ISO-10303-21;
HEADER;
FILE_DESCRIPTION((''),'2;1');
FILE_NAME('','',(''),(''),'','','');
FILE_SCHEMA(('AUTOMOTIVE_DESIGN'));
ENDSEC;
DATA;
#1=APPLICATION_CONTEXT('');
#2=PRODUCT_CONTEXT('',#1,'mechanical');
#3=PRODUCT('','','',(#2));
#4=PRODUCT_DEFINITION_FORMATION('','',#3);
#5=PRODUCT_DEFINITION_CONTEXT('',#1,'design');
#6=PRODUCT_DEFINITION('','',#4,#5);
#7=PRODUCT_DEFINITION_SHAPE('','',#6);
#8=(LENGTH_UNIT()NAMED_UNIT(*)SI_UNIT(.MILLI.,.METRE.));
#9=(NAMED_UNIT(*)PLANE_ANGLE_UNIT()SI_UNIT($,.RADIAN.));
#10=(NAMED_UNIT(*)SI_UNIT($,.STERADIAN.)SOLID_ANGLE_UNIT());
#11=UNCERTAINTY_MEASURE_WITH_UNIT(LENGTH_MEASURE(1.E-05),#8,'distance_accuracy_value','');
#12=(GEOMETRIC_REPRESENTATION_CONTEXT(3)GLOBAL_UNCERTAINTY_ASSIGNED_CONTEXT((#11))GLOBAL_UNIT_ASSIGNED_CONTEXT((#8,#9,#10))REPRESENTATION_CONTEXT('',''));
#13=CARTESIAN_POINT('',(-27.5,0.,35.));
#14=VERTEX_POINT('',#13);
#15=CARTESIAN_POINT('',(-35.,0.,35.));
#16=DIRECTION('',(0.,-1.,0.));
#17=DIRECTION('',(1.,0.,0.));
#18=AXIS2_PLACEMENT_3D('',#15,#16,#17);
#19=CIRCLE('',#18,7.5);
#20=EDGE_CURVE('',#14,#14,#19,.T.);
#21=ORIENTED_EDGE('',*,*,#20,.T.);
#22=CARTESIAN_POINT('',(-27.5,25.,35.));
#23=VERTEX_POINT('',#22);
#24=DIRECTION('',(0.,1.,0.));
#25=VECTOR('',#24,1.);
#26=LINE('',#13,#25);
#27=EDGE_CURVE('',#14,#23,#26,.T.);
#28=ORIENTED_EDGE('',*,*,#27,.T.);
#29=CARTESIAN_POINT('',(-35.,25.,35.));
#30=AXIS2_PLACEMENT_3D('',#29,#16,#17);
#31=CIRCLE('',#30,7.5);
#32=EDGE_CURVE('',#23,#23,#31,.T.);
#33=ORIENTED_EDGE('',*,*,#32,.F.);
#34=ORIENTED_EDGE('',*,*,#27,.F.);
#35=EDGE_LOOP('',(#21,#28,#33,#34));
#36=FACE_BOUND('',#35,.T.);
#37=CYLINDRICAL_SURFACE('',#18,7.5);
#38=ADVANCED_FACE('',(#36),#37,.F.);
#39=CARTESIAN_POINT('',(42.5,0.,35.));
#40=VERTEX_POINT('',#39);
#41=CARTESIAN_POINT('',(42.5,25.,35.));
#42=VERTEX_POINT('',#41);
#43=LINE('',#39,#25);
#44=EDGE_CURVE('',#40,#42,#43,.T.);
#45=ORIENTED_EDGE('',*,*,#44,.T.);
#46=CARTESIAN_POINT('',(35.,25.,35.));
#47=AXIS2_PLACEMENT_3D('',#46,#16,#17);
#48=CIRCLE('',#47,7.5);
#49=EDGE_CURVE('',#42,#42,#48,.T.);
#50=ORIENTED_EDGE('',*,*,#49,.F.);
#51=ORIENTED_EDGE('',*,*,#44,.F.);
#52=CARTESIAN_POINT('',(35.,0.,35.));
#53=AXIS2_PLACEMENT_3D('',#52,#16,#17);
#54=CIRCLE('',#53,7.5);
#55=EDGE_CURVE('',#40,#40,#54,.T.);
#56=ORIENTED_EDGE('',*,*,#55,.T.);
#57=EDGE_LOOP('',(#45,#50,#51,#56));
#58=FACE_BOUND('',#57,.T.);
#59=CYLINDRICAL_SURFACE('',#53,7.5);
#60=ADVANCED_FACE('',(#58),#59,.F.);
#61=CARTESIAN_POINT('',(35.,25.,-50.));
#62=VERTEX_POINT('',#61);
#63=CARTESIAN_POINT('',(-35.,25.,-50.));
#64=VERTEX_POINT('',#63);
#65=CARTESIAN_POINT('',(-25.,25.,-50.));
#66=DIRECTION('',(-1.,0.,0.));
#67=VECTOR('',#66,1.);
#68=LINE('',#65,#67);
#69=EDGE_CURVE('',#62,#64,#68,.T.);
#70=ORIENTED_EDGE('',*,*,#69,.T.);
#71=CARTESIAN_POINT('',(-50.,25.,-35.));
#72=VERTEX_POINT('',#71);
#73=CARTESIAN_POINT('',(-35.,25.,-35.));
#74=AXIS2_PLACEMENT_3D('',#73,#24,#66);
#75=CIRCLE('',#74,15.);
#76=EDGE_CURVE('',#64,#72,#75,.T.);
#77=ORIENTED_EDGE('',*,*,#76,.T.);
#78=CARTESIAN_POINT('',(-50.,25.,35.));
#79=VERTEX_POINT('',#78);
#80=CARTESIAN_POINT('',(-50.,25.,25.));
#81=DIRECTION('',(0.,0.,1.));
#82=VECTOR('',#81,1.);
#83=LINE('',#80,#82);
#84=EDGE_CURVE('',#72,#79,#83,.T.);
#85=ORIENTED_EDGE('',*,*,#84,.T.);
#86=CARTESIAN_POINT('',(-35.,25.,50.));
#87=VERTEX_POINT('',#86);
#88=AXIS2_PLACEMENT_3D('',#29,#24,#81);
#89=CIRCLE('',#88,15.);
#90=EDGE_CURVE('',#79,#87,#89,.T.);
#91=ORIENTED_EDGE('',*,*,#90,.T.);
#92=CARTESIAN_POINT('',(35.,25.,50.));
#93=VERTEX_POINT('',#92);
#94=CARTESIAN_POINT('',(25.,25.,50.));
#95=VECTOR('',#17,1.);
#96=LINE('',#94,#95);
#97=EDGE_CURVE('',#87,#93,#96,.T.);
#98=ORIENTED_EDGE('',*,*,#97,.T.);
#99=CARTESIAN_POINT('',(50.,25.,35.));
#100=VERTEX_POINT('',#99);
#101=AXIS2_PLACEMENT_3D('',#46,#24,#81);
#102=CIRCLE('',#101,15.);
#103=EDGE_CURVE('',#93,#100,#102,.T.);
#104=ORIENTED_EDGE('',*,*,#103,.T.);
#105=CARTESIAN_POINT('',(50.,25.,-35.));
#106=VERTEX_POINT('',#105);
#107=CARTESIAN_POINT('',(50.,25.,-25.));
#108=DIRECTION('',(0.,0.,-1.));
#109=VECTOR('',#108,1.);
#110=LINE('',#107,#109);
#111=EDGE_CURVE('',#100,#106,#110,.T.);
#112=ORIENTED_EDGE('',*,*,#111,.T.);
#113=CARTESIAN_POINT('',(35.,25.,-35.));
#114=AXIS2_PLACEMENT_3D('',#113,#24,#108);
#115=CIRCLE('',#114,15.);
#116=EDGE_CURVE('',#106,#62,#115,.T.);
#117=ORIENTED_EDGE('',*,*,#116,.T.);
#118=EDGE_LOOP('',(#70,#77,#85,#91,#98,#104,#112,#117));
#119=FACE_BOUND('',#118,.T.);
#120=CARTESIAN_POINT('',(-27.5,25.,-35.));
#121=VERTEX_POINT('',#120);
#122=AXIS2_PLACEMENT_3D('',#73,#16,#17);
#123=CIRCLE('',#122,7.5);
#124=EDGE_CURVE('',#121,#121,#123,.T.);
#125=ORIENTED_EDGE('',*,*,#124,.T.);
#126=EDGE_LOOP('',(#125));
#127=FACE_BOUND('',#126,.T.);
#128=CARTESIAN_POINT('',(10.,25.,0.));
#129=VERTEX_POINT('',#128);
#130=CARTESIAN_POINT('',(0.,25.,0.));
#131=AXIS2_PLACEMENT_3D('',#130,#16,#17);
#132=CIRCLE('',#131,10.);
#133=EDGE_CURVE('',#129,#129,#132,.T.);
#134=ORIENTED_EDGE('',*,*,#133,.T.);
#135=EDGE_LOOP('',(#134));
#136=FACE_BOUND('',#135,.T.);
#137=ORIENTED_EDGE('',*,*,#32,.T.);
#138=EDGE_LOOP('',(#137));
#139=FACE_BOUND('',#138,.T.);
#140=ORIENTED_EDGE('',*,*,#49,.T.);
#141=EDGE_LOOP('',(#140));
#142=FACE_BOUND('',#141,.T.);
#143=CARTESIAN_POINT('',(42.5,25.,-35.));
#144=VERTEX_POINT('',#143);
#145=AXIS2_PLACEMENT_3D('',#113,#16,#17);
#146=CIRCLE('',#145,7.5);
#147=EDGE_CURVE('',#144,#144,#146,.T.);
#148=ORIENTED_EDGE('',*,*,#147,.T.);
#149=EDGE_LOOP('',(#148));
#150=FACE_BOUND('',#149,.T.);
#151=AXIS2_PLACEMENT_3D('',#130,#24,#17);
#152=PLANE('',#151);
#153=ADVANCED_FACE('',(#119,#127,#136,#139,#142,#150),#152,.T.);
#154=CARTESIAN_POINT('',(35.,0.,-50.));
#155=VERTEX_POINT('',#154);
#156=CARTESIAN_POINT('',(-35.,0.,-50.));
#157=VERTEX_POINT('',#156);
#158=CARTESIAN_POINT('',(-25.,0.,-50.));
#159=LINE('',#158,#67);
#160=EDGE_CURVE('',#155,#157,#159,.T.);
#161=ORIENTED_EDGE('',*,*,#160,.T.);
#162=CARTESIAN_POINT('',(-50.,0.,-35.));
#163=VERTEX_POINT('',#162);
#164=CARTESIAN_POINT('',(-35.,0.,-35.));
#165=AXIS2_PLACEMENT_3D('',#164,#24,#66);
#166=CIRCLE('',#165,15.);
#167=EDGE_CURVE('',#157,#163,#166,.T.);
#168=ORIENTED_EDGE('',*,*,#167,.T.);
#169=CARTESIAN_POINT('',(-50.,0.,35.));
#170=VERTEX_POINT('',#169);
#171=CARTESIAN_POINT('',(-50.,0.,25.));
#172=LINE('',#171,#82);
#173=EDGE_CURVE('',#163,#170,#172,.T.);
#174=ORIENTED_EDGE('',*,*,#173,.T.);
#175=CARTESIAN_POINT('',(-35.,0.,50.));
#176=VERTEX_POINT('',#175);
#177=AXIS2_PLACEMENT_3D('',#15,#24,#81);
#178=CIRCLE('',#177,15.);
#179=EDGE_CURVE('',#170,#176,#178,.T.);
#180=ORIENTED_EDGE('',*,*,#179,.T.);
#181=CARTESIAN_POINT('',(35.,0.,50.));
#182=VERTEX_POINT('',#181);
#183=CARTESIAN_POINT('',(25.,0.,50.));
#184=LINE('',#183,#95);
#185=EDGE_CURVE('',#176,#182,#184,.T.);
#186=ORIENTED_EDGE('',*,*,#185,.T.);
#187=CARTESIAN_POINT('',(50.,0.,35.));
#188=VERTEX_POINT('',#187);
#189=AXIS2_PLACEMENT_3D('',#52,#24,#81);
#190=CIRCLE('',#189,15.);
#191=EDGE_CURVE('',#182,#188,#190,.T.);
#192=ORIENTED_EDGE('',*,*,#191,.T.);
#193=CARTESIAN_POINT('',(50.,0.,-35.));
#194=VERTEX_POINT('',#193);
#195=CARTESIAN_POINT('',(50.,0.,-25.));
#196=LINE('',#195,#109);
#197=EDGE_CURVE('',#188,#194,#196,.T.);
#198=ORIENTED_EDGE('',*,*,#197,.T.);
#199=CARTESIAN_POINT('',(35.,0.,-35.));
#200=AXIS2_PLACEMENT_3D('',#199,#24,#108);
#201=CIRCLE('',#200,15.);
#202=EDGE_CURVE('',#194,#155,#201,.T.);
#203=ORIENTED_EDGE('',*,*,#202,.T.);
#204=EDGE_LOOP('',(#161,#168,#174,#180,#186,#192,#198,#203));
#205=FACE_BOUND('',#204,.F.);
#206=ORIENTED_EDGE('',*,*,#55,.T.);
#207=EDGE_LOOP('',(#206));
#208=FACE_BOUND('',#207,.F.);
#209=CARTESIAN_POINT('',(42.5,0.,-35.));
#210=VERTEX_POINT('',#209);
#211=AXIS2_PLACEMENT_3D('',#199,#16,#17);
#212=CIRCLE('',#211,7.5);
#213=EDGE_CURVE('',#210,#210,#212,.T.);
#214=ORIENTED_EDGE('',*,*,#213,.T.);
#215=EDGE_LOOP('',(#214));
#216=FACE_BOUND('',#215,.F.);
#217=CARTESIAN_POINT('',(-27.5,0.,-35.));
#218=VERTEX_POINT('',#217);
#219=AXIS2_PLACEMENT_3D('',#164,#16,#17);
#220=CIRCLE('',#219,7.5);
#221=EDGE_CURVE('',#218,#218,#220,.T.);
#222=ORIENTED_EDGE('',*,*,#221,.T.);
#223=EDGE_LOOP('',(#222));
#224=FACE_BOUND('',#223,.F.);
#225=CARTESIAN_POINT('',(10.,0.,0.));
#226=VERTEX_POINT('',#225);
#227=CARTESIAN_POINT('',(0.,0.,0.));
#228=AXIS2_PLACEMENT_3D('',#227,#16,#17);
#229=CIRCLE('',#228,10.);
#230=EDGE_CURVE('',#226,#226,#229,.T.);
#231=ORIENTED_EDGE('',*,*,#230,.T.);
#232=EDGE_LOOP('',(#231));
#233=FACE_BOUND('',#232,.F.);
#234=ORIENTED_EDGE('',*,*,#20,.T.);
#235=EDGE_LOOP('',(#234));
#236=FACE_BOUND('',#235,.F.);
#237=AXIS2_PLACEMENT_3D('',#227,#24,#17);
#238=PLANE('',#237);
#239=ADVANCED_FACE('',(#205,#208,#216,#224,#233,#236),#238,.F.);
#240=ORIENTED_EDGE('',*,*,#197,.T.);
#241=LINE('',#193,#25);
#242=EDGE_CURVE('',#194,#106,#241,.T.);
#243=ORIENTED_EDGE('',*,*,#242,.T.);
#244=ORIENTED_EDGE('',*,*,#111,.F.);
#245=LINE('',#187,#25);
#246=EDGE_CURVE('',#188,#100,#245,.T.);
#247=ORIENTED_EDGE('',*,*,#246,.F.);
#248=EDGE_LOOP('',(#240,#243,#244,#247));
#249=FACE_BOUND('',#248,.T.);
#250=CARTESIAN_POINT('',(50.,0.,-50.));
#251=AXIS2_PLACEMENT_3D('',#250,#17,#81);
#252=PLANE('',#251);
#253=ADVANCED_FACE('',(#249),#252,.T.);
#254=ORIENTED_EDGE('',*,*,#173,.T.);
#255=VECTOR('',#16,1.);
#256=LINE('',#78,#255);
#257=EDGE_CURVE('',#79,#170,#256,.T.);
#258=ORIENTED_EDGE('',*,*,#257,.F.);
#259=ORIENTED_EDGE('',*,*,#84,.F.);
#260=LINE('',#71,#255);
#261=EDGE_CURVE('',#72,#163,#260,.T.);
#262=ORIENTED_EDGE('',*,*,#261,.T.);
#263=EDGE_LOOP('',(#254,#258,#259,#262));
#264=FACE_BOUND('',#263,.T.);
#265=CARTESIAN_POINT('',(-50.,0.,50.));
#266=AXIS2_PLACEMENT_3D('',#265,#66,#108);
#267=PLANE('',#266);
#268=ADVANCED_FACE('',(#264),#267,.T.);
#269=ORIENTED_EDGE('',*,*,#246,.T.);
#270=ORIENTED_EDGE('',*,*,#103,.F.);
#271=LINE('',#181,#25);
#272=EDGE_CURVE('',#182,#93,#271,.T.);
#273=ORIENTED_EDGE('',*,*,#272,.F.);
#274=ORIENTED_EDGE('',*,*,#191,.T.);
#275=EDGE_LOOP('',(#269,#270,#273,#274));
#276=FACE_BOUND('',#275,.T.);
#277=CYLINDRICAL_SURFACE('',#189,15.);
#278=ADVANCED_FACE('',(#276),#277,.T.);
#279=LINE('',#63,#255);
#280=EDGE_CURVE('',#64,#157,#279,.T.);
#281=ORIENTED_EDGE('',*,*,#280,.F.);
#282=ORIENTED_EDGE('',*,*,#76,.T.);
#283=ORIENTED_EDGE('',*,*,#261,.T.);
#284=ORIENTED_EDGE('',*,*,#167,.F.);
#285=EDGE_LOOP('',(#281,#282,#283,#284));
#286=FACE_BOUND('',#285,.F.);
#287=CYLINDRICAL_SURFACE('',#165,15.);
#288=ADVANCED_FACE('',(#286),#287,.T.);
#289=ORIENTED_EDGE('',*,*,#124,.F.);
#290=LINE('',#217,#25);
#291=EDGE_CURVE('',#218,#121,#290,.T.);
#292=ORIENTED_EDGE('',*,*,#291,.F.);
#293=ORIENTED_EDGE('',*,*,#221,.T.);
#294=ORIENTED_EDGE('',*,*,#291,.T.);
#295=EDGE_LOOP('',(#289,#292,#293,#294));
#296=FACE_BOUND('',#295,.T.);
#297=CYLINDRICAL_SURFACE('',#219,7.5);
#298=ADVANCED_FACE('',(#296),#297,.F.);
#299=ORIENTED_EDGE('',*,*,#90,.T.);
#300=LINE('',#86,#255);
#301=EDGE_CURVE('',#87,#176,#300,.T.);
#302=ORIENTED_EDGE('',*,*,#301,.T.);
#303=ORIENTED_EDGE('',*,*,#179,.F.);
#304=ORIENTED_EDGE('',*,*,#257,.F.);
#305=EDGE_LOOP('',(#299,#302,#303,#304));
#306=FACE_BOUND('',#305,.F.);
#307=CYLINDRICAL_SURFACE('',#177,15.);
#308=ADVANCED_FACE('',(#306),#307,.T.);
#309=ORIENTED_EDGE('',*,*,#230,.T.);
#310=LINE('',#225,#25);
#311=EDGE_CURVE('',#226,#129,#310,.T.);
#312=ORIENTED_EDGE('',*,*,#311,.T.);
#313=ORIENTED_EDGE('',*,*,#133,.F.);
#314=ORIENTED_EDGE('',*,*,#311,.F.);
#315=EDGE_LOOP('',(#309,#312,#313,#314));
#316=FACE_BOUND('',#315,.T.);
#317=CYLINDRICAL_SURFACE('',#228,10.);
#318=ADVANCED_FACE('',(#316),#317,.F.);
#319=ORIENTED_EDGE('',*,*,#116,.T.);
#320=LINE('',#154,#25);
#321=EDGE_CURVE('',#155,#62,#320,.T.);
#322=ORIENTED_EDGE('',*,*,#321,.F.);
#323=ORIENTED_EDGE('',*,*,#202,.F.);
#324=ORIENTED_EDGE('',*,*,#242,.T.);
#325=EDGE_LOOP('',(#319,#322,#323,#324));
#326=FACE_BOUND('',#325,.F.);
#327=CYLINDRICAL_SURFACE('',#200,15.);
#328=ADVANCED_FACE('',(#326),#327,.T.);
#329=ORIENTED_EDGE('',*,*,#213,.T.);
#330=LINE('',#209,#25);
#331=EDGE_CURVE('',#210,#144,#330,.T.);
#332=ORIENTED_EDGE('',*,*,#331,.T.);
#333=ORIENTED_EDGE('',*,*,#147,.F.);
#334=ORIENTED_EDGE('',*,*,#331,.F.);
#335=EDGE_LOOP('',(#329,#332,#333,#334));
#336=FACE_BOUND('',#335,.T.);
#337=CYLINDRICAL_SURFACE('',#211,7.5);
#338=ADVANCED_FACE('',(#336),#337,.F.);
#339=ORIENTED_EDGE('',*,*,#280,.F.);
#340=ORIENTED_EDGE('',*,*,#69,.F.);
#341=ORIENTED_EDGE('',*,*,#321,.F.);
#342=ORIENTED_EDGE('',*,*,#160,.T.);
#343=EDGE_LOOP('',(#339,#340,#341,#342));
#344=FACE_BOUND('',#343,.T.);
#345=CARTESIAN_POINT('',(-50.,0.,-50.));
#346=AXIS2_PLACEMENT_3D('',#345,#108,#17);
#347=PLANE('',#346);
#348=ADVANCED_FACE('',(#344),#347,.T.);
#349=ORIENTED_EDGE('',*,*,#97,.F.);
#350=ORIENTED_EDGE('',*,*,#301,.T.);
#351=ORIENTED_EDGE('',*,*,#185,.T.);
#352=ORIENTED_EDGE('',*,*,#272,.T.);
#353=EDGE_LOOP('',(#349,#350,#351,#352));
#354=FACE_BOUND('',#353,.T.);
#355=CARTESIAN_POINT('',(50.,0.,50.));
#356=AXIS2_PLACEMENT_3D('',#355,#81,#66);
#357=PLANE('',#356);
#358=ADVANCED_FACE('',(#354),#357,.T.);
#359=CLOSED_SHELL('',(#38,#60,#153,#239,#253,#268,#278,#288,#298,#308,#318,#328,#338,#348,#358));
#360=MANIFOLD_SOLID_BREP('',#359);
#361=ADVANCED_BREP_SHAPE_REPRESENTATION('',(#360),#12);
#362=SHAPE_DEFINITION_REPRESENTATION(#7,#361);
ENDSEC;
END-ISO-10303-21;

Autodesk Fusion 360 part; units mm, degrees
sketch "Sketch1" plane through (0, 0, 0) normal (0, 1, 0) x (1, 0, 0)
  line L0 (50, -50) -> (-50, -50)
  line L1 (-50, -50) -> (-50, 50)
  line L2 (-50, 50) -> (50, 50)
  line L3 (50, 50) -> (50, -50)
  line L4 (50, -50) -> (-50, 50) construction
  line L5 (-50, -50) -> (50, 50) construction
  circle A0 centre (-35, 35) radius 7.5
  circle A1 centre (-35, -35) radius 7.5
  circle A2 centre (35, -35) radius 7.5
  circle A3 centre (35, 35) radius 7.5
  circle A4 centre (0, 0) radius 25
  dimension "d1" = 100
  dimension "d2" = 100
  dimension "d3" = 15
  dimension "d4" = 15
  dimension "d5" = 50
extrude "Extrude1" add sketch "Sketch1" along normal blind 25
fillet "Fillet1" radius 15 4 edges at (-50, 12.5, 50) (-50, 12.5, -50) (50, 12.5, 50) (50, 12.5, -50)
fillet "Fillet2" radius 12.5 1 edges at (-23.3082, 25, -9.0404)
chamfer "Chamfer1" distance 5 angle 45 8 edges at (-45.6066, 25, 45.6066) (0, 25, 50) (45.6066, 25, 45.6066) (50, 25, 0) (45.6066, 25, -45.6066) (0, 25, -50) (-45.6066, 25, -45.6066) (-50, 25, 0)
delete_face "DeleteFace1" 1 faces at (36.8593, 24.9858, 1.8396)
delete_face "DeleteFace2" 8 faces at (36.0894, 22.5, -47.4524) (-11.6667, 21.6667, -48.3333) (48.3333, 21.6667, -11.6667) (47.4524, 22.5, 36.0894) (11.6667, 21.6667, 48.3333) (-36.0894, 22.5, 47.4524) (-48.3333, 21.6667, 11.6667) (-47.4524, 22.5, -36.0894)
move_face "OffsetFaces1" offset 15 1 faces at (24.8758, 16.6667, -2.4892)
